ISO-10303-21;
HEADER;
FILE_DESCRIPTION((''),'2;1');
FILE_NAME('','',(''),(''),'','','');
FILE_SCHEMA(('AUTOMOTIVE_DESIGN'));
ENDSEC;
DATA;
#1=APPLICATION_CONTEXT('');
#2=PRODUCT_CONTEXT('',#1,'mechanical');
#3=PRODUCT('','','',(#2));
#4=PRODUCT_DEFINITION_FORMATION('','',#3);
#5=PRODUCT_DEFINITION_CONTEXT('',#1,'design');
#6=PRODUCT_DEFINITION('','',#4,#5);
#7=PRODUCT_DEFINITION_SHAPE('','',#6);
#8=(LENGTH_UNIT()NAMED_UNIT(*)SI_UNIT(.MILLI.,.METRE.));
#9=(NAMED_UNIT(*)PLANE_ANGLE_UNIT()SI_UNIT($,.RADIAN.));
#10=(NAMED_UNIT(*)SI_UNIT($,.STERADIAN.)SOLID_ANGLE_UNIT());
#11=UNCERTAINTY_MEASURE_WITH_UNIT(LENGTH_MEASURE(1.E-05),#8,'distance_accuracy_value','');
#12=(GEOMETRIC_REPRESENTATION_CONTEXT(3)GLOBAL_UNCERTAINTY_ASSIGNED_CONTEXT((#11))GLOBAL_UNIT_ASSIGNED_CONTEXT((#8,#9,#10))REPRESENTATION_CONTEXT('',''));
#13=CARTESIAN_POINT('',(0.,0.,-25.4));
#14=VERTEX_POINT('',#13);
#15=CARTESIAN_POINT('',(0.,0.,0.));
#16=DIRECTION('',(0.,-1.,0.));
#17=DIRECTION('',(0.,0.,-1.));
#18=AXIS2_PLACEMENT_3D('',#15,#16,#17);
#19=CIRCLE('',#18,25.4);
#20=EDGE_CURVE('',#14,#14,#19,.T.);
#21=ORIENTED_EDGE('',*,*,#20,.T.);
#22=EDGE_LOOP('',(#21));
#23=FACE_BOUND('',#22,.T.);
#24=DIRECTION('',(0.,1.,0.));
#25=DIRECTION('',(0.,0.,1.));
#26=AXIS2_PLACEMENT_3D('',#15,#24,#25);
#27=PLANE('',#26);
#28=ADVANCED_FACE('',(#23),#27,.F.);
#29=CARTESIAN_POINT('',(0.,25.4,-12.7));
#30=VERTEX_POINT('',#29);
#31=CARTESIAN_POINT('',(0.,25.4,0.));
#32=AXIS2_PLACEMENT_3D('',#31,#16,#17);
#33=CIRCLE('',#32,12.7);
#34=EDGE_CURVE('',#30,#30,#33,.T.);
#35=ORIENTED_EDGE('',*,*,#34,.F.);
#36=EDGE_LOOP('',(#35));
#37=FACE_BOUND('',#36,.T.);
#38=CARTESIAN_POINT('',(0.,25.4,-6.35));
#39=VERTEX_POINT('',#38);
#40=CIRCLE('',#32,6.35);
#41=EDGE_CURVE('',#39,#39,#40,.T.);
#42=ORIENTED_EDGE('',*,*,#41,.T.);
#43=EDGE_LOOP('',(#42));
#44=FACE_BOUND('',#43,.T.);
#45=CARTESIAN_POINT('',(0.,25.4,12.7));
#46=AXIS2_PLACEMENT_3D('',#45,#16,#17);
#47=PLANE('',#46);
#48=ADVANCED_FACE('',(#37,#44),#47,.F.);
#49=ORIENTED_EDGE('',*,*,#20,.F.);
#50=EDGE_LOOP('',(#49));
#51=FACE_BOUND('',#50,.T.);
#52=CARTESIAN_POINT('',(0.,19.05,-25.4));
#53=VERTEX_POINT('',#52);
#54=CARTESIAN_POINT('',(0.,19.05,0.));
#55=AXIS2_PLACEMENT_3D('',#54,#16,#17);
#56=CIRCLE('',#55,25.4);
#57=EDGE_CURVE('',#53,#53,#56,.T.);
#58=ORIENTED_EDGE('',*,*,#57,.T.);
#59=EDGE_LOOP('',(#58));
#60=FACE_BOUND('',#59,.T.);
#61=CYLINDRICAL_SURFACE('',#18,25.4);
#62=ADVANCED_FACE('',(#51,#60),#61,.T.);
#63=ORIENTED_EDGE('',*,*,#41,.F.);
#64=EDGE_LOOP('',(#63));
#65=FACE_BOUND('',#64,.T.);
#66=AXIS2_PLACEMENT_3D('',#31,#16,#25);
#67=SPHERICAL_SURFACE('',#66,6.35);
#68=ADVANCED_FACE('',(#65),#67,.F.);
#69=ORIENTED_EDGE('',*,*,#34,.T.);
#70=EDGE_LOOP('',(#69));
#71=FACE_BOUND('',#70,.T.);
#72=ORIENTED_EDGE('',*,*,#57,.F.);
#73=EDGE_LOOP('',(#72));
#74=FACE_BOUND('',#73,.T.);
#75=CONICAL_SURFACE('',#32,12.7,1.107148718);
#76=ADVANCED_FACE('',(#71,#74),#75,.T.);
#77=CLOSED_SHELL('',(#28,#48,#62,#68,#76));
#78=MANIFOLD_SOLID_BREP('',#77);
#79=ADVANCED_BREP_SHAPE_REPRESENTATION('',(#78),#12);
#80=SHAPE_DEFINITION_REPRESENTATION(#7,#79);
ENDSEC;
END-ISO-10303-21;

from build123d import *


with BuildPart() as part:
    # Sketch1 → Revolve1 (revolve)
    with BuildSketch(Plane(origin=(0, 0, 0), x_dir=(0, 0, -1), z_dir=(1, 0, 0))):
        with BuildLine():
            Line((0, 0), (-25.4, 0))
            Line((-25.4, 0), (-25.4, 19.05))
            Line((-25.4, 19.05), (-12.7, 25.4))
            Line((-12.7, 25.4), (-6.35, 25.4))
            ThreePointArc((-6.35, 25.4), (-4.490128061, 20.909871939), (0, 19.05))
            Line((0, 19.05), (0, 9.548847794))
            Line((0, 9.548847794), (0, 0))
        make_face()
    revolve(axis=Axis((0, 0, 0), (0, 1, 0)))


solid = part.part
